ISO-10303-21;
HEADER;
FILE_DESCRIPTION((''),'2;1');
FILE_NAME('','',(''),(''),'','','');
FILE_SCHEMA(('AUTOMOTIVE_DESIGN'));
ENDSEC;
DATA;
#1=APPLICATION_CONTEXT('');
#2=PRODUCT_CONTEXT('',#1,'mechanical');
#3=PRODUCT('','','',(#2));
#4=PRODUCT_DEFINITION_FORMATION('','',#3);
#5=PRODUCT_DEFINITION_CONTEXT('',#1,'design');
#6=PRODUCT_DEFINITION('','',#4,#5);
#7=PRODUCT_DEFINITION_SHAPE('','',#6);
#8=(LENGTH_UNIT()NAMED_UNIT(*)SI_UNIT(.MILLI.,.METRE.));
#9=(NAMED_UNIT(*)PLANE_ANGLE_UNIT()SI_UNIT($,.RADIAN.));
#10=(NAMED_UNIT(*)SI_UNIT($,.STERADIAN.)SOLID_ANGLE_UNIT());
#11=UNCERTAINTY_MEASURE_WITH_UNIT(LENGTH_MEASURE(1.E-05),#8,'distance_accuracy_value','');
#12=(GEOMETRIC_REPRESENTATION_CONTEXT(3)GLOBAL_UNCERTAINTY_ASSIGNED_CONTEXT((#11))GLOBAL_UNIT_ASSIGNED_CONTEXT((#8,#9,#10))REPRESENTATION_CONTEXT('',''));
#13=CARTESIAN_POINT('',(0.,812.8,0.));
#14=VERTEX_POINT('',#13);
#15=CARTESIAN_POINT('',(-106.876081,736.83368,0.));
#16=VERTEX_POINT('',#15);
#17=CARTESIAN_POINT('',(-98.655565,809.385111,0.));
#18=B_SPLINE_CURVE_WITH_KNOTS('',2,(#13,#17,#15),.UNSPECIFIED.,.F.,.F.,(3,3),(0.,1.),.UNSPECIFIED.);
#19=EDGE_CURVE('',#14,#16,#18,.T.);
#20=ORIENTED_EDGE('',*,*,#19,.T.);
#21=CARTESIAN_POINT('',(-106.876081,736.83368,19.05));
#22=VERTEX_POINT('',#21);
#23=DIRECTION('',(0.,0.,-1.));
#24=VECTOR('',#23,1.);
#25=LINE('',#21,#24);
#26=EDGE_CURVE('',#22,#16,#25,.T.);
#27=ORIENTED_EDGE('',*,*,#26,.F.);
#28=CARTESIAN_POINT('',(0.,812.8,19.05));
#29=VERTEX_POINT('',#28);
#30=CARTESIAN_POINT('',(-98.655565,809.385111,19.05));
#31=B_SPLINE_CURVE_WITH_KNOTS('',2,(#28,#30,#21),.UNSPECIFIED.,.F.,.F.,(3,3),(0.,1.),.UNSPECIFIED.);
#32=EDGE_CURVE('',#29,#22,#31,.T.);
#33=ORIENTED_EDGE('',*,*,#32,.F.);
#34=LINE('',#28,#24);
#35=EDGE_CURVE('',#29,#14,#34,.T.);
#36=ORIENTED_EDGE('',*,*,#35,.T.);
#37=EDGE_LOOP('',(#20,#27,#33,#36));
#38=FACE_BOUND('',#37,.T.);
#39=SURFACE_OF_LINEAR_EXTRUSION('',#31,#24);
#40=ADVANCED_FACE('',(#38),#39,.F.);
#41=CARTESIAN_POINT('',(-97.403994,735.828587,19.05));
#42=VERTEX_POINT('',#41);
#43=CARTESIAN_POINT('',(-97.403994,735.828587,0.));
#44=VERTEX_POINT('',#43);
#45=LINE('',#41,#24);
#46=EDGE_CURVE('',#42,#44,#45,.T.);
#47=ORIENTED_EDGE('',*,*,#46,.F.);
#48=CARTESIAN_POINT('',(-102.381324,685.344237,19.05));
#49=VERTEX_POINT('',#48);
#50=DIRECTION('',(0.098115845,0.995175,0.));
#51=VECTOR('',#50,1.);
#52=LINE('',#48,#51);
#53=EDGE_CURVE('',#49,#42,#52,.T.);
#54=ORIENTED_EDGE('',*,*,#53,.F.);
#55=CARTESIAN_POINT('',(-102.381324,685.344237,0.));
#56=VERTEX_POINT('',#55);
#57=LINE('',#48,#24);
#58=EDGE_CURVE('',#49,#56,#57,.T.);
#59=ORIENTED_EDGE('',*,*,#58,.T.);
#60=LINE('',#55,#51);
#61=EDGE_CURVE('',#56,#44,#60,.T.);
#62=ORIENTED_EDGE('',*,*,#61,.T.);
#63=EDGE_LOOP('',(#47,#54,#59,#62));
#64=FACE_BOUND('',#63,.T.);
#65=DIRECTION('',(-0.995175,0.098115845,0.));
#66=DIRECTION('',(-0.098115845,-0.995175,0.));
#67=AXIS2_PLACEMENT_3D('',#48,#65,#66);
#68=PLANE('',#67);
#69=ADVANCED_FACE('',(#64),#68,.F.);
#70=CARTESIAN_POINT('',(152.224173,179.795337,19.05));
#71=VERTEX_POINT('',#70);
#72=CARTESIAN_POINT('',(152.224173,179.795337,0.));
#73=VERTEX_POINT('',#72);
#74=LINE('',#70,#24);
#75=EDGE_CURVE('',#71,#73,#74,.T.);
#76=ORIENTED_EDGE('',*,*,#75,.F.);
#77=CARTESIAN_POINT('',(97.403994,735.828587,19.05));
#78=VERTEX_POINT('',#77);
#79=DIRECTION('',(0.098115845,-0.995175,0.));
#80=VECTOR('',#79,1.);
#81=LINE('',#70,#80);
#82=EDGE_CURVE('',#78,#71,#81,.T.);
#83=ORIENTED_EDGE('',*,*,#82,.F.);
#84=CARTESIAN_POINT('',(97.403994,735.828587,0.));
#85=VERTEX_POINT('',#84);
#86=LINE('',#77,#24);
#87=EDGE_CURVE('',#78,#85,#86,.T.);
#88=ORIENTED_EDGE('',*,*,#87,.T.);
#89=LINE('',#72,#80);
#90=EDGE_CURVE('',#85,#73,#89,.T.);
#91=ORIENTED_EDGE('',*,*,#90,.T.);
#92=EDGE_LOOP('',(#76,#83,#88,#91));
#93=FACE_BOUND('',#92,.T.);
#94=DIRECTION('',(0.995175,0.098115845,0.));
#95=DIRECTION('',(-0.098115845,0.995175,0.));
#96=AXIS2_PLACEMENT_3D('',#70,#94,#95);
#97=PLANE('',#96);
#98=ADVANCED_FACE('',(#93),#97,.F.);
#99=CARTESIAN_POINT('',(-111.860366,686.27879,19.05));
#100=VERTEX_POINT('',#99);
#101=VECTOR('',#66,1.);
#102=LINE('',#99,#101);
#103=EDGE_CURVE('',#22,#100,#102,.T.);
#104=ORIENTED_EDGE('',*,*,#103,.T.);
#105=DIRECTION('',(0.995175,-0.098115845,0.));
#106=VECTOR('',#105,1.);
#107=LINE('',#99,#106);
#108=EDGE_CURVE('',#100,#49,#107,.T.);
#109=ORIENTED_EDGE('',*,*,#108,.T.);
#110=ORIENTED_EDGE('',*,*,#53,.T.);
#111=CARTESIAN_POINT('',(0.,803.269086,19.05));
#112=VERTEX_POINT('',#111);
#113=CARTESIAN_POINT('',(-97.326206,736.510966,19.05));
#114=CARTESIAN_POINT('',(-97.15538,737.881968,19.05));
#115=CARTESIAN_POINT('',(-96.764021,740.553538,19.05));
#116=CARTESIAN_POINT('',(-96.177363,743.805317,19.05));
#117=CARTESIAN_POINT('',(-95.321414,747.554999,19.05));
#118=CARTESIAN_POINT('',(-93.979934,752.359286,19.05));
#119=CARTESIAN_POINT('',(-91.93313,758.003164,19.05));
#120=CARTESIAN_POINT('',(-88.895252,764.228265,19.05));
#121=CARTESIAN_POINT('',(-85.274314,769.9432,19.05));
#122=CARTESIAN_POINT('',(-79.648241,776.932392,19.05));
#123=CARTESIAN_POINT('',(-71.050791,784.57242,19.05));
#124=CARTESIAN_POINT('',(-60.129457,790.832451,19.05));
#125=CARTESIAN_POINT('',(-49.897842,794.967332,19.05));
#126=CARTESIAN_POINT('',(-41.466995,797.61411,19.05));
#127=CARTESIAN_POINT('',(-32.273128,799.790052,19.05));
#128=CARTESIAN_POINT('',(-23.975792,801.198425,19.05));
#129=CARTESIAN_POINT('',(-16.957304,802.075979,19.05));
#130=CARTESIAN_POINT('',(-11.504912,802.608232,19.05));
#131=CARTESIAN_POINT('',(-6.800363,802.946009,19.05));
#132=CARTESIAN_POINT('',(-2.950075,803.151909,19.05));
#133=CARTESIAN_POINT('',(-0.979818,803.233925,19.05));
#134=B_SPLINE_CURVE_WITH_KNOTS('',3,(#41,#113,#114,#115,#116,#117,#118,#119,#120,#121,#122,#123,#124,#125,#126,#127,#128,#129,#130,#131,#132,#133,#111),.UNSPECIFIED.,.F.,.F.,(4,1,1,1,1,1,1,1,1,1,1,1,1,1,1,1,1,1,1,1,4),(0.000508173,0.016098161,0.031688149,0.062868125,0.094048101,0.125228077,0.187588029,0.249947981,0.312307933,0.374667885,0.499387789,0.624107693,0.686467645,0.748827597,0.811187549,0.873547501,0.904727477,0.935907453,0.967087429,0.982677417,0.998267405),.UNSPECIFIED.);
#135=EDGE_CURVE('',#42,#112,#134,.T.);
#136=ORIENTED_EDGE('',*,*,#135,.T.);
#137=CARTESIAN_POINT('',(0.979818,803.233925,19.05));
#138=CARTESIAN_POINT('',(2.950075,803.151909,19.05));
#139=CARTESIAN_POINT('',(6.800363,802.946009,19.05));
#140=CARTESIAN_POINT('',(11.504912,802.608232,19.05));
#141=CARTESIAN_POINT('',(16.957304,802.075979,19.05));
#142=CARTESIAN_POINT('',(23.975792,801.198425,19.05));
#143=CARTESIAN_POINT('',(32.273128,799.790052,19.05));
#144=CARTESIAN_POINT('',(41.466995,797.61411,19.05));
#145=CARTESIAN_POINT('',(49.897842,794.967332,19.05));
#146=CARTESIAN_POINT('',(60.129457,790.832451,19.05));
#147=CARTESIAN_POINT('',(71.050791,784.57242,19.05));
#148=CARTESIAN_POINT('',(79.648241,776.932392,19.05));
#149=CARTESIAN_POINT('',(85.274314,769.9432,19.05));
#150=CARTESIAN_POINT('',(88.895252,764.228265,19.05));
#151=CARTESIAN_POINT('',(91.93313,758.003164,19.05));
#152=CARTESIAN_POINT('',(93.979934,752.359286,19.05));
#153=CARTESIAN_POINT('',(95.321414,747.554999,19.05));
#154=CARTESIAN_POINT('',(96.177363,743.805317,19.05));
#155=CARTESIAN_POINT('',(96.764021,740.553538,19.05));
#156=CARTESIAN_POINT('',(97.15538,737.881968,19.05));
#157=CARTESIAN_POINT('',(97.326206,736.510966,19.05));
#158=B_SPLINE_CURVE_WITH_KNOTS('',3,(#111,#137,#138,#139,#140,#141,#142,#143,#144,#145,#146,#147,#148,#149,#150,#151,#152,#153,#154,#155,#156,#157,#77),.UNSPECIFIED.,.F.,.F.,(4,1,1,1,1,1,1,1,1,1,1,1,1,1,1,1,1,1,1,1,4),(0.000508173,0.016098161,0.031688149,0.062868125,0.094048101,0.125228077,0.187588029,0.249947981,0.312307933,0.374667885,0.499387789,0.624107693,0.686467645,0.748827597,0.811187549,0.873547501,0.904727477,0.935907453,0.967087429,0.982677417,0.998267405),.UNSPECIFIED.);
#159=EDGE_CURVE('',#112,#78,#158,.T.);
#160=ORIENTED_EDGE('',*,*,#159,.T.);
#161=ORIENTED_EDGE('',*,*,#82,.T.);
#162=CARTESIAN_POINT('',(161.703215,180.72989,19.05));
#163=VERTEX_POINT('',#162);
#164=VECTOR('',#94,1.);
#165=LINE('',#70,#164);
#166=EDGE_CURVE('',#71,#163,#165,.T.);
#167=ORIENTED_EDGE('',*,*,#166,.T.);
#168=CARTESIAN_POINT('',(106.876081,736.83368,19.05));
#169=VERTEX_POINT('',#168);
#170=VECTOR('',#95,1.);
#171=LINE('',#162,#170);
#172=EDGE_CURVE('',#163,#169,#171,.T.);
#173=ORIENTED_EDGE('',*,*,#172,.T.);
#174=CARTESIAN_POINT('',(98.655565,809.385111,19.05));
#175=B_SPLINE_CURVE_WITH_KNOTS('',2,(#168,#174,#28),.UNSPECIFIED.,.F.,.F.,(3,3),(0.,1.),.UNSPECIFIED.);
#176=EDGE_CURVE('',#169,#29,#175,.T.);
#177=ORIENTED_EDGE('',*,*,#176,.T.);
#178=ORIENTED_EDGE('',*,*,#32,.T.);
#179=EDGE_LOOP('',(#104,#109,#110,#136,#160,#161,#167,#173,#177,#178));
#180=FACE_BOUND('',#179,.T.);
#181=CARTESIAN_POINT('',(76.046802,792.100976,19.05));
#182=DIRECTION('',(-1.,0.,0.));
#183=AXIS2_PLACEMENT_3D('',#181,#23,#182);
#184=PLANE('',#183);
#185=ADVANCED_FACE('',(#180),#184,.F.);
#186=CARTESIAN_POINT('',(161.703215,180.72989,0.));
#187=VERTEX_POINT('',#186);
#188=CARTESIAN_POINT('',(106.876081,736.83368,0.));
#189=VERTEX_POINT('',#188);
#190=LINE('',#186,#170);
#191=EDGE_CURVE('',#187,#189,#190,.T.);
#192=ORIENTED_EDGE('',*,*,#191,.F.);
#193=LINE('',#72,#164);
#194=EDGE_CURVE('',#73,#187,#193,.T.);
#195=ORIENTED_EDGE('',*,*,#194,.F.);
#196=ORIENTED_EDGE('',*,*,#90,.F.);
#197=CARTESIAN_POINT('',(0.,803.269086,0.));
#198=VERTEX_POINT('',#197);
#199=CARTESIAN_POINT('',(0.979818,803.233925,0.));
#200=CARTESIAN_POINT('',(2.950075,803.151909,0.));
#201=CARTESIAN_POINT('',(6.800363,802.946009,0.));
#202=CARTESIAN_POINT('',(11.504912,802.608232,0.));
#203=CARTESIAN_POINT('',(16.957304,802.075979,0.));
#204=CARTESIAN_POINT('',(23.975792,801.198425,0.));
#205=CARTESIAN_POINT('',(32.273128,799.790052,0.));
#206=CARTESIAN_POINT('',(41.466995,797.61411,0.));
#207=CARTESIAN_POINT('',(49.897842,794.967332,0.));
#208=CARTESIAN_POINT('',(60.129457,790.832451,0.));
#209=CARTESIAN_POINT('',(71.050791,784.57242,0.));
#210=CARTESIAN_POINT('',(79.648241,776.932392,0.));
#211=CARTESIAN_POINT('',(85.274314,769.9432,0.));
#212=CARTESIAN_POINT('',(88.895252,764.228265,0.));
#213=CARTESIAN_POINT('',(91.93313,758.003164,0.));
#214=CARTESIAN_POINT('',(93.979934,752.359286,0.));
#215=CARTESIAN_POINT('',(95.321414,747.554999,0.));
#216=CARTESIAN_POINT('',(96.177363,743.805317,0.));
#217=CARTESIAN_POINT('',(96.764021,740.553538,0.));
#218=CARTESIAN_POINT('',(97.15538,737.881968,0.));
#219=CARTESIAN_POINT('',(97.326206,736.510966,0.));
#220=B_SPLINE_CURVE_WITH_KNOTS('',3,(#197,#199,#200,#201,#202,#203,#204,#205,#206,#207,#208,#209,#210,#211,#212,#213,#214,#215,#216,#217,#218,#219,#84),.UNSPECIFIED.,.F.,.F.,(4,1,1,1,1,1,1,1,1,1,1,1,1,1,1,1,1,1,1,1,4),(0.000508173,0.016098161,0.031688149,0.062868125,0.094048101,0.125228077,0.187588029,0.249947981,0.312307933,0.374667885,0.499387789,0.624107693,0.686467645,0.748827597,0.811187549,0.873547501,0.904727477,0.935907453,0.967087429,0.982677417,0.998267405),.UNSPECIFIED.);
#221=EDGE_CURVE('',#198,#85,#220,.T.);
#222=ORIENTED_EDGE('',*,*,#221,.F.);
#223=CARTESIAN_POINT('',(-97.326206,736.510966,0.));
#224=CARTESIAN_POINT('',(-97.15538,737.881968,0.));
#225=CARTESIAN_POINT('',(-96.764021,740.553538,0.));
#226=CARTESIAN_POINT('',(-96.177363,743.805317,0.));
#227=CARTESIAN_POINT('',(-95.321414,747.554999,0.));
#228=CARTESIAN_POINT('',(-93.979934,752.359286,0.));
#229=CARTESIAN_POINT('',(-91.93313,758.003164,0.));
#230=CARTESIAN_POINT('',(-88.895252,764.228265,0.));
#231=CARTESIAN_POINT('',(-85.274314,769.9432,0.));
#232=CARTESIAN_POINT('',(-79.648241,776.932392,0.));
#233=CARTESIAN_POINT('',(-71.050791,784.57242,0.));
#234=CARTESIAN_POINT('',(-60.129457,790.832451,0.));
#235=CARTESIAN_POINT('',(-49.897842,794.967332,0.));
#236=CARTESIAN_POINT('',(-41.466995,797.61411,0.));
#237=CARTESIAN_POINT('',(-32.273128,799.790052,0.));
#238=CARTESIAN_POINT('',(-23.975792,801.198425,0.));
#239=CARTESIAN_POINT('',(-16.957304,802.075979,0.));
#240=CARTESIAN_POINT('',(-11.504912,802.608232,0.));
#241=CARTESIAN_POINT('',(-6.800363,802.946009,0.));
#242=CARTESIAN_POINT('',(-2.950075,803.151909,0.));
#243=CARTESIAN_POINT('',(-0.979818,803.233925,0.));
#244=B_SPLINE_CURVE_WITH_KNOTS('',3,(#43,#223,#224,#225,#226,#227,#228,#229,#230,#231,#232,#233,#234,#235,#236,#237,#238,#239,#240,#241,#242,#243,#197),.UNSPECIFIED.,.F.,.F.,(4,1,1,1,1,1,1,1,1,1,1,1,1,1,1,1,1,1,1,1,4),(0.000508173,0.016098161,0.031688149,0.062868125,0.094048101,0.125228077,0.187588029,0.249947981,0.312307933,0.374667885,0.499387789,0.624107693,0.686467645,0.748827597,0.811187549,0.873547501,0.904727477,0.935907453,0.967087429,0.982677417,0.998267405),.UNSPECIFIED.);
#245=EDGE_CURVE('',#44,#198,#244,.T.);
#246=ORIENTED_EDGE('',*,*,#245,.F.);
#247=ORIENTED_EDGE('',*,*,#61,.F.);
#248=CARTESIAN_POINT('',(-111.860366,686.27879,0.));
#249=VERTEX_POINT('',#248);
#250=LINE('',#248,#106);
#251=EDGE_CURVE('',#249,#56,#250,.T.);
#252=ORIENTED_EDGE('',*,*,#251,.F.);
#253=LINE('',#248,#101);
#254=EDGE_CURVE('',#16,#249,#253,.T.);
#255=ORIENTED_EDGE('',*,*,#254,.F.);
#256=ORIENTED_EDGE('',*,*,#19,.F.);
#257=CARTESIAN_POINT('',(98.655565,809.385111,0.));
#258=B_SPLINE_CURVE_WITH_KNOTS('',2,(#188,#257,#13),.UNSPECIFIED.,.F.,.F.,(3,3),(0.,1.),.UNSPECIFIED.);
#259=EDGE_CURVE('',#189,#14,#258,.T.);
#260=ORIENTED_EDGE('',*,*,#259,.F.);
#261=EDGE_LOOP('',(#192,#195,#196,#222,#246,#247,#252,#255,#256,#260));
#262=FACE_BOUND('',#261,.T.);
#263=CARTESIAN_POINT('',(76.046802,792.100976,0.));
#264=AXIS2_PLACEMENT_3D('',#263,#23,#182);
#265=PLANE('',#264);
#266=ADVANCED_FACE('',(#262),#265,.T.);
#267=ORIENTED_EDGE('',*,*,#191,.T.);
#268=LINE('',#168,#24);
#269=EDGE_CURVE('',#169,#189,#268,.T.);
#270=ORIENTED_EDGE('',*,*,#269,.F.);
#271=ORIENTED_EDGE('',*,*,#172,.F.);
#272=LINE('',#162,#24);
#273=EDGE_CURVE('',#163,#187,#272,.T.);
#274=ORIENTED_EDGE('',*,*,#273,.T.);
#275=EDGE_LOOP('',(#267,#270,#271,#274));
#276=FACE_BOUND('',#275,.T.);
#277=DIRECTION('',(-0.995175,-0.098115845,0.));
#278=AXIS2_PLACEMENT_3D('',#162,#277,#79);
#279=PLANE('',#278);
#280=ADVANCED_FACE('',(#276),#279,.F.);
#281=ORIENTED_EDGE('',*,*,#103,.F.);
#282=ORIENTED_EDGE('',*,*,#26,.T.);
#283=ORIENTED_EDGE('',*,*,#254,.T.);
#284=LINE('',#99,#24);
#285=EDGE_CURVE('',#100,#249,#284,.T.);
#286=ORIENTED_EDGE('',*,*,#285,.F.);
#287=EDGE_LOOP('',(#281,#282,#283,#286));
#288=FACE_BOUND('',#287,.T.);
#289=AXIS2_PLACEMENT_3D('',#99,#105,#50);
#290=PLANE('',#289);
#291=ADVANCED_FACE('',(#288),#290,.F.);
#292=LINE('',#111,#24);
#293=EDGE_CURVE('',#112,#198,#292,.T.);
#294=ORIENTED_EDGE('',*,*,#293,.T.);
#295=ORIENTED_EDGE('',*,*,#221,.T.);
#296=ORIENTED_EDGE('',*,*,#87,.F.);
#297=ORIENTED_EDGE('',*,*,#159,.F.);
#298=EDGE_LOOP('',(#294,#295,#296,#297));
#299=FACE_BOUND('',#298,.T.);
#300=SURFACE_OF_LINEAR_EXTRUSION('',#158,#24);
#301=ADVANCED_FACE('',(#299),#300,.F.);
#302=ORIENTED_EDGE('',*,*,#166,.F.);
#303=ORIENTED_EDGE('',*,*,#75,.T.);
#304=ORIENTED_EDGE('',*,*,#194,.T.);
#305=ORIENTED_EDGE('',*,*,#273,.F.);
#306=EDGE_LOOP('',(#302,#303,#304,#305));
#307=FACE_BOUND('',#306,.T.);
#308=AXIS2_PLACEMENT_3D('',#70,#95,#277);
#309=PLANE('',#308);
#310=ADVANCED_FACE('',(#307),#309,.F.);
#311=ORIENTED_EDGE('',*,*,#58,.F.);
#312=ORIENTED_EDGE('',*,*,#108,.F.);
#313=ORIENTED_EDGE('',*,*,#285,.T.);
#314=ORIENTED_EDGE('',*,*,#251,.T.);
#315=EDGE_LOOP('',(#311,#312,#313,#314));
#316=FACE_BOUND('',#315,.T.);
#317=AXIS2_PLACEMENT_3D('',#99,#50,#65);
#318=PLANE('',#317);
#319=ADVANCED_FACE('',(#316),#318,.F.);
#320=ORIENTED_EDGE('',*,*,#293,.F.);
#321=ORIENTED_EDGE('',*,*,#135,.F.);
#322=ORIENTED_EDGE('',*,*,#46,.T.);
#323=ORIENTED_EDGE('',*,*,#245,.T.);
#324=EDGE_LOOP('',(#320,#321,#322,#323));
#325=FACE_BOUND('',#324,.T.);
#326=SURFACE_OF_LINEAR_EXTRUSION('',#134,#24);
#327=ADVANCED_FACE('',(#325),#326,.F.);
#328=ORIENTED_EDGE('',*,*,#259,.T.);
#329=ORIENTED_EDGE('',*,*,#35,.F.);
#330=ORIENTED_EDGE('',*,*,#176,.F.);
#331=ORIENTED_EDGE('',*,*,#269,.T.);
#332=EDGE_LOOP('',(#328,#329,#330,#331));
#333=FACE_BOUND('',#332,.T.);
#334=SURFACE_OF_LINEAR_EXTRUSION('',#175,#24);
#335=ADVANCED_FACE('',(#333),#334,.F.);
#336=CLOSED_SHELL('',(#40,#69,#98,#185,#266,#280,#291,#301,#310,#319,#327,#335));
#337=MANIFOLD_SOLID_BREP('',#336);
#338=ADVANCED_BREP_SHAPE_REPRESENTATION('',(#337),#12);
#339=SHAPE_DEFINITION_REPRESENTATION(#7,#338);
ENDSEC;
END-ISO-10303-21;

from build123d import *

# Parameters (mm, degrees)
BOSS_EXTRUDE1_DEPTH = 19.05


with BuildPart() as part:
    # Sketch1 → Boss-Extrude1 (new body)
    with BuildSketch(Plane.XY):
        with BuildLine():
            Line((152.224173193, 179.795336584), (97.403993572, 735.828587024))
            add(Edge.make_bspline(
                [(0, 803.26908628), (0.979817658, 803.233925105), (2.950075123, 803.151909058), (6.800362849, 802.946009068), (11.504912112, 802.608232022), (16.957304332, 802.075979486), (23.975792063, 801.198424891), (32.273128008, 799.790052384), (41.46699497, 797.614109593), (49.89784204, 794.967332344), (60.129456963, 790.832450746), (71.050790712, 784.572420078), (79.648241417, 776.932392043), (85.274313562, 769.943199813), (88.89525226, 764.228265264), (91.933130485, 758.00316425), (93.979934001, 752.359286407), (95.321414001, 747.554999291), (96.177362738, 743.805316844), (96.764020616, 740.553537606), (97.155379667, 737.881968465), (97.326205951, 736.51096636), (97.403993572, 735.828587024)],
                knots=[0.000508173, 0.000508173, 0.000508173, 0.000508173, 0.016098161, 0.031688149, 0.062868125, 0.094048101, 0.125228077, 0.187588029, 0.249947981, 0.312307933, 0.374667885, 0.499387789, 0.624107693, 0.686467645, 0.748827597, 0.811187549, 0.873547501, 0.904727477, 0.935907453, 0.967087429, 0.982677417, 0.998267405, 0.998267405, 0.998267405, 0.998267405], degree=3))
            add(Edge.make_bspline(
                [(-97.403993572, 735.828587024), (-97.326205951, 736.51096636), (-97.155379667, 737.881968465), (-96.764020616, 740.553537606), (-96.177362738, 743.805316844), (-95.321414001, 747.554999291), (-93.979934001, 752.359286407), (-91.933130485, 758.00316425), (-88.89525226, 764.228265264), (-85.274313562, 769.943199813), (-79.648241417, 776.932392043), (-71.050790712, 784.572420078), (-60.129456963, 790.832450746), (-49.89784204, 794.967332344), (-41.46699497, 797.614109593), (-32.273128008, 799.790052384), (-23.975792063, 801.198424891), (-16.957304332, 802.075979486), (-11.504912112, 802.608232022), (-6.800362849, 802.946009068), (-2.950075123, 803.151909058), (-0.979817658, 803.233925105), (0, 803.26908628)],
                knots=[0.000508173, 0.000508173, 0.000508173, 0.000508173, 0.016098161, 0.031688149, 0.062868125, 0.094048101, 0.125228077, 0.187588029, 0.249947981, 0.312307933, 0.374667885, 0.499387789, 0.624107693, 0.686467645, 0.748827597, 0.811187549, 0.873547501, 0.904727477, 0.935907453, 0.967087429, 0.982677417, 0.998267405, 0.998267405, 0.998267405, 0.998267405], degree=3))
            Line((-97.403993572, 735.828587024), (-102.381323889, 685.344236665))
            Line((-102.381323889, 685.344236665), (-111.860365766, 686.278790089))
            Line((-111.860365766, 686.278790089), (-106.876080835, 736.833680097))
            add(Edge.make_bspline(
                [(-106.876080835, 736.833680097), (-98.655564568, 809.385111394), (0, 812.8)],
                knots=[0, 0, 0, 1, 1, 1], degree=2))
            add(Edge.make_bspline(
                [(106.876080835, 736.833680097), (98.655564568, 809.385111394), (0, 812.8)],
                knots=[0, 0, 0, 1, 1, 1], degree=2))
            Line((106.876080835, 736.833680097), (161.70321507, 180.729890008))
            Line((161.70321507, 180.729890008), (152.224173193, 179.795336584))
        make_face()
    extrude(amount=BOSS_EXTRUDE1_DEPTH)


solid = part.part
